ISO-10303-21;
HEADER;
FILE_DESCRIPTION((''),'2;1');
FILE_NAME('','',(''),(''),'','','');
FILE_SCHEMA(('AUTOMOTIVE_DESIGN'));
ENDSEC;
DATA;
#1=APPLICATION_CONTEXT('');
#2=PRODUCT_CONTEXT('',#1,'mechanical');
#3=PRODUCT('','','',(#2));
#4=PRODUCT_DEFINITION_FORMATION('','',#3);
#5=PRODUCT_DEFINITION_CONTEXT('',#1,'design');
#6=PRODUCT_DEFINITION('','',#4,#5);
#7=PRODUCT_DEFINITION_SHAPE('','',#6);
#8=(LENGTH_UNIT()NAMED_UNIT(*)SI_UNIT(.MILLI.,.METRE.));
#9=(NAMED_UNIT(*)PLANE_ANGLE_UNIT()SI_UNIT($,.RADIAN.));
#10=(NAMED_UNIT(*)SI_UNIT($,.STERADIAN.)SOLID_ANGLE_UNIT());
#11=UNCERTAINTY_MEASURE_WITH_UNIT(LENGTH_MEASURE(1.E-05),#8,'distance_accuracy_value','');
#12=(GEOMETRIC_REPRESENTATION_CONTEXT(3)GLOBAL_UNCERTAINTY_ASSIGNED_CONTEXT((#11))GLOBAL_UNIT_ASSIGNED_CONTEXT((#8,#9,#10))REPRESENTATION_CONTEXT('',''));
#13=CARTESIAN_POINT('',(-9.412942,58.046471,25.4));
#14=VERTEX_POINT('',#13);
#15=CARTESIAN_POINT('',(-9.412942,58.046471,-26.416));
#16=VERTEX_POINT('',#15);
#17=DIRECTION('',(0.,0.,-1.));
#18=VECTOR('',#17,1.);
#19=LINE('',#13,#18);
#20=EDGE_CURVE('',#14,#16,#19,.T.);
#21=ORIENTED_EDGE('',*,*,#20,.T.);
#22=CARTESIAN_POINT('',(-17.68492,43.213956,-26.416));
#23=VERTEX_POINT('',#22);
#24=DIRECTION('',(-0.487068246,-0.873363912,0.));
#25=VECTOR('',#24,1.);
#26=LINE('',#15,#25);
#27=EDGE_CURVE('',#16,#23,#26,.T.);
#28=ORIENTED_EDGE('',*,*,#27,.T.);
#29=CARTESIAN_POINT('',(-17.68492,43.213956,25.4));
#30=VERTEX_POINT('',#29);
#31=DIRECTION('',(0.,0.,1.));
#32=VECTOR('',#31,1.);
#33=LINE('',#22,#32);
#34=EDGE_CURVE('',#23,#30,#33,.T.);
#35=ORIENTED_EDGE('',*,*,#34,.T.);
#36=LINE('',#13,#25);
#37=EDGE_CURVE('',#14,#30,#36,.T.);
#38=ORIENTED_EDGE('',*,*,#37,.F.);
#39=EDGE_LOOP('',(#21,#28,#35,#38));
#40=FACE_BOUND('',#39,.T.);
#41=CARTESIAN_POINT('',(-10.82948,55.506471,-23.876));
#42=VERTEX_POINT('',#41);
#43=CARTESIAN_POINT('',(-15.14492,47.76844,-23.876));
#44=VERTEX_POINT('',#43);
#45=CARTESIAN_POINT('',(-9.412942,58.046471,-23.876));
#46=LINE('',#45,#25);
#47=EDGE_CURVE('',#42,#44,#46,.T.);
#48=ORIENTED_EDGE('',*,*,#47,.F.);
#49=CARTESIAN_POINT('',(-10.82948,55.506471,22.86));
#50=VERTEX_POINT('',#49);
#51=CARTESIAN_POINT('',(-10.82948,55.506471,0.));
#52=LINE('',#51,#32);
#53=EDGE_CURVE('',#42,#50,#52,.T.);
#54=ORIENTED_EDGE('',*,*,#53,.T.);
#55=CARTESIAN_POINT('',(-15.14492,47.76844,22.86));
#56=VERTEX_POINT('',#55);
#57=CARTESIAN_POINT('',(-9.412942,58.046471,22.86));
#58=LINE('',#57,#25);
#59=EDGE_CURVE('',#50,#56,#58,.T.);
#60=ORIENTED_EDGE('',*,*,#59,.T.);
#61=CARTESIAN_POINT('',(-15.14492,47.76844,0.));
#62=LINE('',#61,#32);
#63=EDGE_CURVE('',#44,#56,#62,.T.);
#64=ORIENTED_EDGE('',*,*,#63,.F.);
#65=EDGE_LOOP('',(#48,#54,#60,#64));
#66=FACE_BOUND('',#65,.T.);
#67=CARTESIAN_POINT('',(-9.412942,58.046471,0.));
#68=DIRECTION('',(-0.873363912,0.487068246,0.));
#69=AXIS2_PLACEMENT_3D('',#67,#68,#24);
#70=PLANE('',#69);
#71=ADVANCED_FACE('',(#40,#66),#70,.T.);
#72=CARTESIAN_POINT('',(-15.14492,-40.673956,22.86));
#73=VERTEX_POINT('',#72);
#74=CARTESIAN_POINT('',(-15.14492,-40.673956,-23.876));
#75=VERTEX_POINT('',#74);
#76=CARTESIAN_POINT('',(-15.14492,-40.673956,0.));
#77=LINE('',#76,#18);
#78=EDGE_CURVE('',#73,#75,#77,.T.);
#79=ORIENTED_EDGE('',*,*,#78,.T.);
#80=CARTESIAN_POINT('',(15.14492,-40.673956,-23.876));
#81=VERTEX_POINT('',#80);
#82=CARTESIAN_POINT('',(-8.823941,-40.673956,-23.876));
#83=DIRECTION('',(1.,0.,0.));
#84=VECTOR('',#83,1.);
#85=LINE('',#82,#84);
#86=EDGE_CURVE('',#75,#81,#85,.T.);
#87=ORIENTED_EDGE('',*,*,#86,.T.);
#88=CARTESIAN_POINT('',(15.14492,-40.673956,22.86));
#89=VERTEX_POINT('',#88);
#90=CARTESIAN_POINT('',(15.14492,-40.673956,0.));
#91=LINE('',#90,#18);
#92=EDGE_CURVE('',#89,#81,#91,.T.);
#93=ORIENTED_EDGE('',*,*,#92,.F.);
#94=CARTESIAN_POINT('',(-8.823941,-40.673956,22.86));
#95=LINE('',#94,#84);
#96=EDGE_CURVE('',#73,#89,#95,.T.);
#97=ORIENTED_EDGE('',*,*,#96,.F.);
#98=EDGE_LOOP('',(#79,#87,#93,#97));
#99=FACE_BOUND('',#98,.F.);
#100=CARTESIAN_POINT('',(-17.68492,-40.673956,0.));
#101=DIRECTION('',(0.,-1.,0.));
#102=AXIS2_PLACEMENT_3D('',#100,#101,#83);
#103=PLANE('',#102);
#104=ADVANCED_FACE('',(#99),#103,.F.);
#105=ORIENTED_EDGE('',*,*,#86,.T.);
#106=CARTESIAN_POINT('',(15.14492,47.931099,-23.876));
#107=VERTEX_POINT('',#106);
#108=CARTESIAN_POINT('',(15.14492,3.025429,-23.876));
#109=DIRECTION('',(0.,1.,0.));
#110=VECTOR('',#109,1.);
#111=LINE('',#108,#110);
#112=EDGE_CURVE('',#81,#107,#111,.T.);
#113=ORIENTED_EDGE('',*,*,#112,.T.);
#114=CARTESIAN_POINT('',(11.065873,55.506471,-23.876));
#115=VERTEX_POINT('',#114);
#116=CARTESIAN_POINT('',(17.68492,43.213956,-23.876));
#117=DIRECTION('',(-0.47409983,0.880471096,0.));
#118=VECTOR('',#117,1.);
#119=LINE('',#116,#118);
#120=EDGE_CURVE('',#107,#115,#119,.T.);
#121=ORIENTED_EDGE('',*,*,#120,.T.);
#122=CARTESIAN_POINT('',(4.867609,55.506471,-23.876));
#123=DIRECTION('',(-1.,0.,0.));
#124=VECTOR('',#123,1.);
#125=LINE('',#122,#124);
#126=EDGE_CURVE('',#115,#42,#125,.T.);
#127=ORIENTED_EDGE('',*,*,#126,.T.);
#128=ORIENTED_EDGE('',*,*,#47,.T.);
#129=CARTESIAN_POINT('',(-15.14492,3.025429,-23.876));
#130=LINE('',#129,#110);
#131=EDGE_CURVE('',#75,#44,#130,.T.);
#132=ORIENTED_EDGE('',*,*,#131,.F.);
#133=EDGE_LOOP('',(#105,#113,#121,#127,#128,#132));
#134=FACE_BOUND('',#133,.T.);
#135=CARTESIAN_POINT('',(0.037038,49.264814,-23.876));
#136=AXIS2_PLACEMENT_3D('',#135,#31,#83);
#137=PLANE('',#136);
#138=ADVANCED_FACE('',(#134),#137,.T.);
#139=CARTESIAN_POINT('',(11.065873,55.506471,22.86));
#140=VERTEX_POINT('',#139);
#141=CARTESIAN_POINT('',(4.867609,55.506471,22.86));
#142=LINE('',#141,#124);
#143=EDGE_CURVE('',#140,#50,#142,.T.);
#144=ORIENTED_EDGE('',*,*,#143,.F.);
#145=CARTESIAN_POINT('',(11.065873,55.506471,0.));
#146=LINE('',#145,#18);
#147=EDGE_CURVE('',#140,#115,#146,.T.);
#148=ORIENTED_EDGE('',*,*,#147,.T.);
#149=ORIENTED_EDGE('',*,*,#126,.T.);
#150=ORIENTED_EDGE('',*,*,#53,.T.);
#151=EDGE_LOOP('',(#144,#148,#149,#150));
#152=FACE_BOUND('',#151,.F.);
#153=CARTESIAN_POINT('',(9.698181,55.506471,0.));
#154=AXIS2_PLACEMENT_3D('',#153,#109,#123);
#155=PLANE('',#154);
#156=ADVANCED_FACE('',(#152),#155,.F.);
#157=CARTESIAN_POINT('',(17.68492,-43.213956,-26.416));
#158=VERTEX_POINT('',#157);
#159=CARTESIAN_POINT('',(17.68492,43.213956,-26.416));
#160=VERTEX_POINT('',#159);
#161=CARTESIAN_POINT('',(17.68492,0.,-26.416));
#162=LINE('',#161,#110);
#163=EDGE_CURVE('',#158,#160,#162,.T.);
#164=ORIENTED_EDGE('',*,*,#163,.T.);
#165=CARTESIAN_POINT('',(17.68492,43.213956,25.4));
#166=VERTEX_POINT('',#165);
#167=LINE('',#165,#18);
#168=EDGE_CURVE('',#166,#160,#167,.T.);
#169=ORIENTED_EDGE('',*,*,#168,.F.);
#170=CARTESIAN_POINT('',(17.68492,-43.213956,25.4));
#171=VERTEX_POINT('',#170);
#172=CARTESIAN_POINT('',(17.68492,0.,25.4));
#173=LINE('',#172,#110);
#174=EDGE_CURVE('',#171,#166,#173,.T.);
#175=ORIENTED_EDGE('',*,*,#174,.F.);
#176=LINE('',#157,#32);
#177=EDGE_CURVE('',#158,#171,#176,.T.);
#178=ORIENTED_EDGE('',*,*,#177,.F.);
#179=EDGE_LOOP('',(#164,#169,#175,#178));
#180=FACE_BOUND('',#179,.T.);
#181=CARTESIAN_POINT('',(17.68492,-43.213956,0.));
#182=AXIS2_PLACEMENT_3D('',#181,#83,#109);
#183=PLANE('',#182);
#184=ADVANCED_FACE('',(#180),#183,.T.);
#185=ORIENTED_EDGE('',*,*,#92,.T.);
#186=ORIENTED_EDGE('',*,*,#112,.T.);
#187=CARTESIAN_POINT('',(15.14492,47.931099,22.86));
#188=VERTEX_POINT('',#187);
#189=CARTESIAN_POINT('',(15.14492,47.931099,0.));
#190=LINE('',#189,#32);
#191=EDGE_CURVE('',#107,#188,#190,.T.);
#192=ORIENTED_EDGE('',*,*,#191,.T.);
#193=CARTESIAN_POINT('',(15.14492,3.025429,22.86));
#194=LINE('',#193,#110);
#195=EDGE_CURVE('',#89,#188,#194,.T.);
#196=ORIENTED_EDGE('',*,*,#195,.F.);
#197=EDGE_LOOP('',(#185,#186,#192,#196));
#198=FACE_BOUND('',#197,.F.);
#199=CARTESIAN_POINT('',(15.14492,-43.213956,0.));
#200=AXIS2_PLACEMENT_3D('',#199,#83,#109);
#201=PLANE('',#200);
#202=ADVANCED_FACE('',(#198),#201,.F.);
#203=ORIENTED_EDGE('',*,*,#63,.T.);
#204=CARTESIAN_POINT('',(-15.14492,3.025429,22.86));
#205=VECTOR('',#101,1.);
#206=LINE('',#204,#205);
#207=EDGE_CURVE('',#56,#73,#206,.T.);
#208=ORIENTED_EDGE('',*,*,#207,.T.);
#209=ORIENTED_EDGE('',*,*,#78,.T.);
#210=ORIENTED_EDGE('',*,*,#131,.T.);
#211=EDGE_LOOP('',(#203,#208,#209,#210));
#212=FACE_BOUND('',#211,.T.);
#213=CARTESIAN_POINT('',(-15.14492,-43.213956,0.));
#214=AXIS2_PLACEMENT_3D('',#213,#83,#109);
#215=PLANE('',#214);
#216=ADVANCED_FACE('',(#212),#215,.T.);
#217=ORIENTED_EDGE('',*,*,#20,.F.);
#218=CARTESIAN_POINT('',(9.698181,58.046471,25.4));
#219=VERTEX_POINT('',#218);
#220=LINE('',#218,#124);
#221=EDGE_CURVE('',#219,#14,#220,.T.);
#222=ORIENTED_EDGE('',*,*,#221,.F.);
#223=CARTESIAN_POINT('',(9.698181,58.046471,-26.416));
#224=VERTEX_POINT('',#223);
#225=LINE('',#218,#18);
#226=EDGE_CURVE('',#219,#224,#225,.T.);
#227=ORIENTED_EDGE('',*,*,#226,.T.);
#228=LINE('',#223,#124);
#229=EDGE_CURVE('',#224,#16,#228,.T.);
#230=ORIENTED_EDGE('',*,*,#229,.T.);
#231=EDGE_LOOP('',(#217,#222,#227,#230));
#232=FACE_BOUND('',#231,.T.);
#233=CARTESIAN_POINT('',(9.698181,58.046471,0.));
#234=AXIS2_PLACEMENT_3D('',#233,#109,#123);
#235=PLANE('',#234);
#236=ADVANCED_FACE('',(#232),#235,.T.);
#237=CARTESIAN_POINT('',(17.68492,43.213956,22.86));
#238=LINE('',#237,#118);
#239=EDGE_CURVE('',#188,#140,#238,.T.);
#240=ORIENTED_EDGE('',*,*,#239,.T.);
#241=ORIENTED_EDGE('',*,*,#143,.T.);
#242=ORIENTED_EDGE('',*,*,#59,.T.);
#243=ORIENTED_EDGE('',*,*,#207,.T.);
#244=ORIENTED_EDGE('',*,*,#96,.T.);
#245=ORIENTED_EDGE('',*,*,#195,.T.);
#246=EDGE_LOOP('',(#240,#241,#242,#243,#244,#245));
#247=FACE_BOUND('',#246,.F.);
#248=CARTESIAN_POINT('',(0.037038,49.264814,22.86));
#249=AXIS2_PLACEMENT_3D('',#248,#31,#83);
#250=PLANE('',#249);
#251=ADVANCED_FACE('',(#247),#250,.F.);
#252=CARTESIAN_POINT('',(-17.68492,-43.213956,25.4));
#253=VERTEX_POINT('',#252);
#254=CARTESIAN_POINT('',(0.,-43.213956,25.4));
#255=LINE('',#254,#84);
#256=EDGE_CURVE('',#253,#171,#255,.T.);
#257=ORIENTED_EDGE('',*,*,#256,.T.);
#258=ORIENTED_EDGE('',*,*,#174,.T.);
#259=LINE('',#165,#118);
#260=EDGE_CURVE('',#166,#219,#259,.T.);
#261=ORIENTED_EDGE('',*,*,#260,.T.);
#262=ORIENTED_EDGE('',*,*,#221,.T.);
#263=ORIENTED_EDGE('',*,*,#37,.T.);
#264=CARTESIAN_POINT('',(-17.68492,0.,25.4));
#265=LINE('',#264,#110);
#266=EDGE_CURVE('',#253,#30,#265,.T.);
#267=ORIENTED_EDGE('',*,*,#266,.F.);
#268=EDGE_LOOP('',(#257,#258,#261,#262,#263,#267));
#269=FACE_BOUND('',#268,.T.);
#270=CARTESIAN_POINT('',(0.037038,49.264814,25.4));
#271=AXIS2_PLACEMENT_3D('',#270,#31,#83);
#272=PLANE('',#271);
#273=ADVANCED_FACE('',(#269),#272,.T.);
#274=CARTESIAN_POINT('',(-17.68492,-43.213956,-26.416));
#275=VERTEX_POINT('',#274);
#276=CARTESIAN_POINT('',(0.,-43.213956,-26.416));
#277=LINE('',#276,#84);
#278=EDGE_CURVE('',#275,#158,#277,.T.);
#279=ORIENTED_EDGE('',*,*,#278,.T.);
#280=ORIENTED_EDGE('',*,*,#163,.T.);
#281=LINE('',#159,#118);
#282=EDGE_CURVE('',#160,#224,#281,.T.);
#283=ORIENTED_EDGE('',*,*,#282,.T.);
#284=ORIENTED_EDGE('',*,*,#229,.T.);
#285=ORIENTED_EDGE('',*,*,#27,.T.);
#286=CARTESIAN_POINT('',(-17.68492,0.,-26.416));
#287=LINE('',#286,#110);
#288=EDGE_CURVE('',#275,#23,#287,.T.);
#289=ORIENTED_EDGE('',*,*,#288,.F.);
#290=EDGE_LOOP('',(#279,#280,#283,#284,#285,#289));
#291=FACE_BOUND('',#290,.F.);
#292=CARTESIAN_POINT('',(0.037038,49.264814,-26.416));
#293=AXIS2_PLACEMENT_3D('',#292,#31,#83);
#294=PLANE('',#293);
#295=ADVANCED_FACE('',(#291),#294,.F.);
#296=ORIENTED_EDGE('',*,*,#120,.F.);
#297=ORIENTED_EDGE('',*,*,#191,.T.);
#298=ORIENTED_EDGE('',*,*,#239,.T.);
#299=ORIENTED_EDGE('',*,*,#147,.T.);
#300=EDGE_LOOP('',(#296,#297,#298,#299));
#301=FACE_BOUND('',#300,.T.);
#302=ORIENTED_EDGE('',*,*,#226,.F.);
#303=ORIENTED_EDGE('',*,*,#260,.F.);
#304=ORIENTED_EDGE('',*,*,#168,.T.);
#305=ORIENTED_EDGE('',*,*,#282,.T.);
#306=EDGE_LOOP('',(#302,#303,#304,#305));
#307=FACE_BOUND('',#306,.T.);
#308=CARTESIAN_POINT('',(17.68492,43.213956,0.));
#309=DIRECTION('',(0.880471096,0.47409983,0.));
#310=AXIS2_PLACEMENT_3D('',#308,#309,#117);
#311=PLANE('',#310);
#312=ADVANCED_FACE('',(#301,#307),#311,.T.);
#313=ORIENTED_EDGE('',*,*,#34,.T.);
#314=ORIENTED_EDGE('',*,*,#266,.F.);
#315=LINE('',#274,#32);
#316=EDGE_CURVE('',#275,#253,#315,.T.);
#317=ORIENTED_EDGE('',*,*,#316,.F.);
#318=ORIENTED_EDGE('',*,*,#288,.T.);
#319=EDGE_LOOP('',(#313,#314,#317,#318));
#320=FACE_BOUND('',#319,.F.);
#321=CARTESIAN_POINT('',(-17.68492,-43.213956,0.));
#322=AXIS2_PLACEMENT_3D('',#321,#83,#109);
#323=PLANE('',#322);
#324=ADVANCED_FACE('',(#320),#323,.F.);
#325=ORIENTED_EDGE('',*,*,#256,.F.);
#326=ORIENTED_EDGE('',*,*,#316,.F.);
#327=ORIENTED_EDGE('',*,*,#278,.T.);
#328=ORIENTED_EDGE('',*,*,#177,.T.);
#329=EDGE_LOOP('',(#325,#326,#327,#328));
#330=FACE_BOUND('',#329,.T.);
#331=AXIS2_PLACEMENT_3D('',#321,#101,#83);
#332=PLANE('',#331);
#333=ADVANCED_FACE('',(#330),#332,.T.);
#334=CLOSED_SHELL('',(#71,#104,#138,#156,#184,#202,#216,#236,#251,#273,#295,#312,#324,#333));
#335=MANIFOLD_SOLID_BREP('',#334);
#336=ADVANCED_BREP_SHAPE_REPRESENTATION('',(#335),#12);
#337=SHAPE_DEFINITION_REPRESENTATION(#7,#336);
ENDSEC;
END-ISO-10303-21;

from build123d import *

# Parameters (mm, degrees)
F0_W          = 35.36984
F0_H          = 86.427912
F1_DEPTH      = 25.4
F1_DEPTH_BACK = 26.416
F2_T          = -2.54


with BuildPart() as f1:
    # F0 (on Top) → F1 (new body, two sides)
    with BuildSketch(Plane.XY) as f1_sk:
        Polygon((-9.412942, 58.046471), (-17.68492, 43.213956), (17.68492, 43.213956), (9.698181, 58.046471), align=None)
        Rectangle(F0_W, F0_H)
    extrude(amount=F1_DEPTH)
    extrude(f1_sk.sketch, amount=-F1_DEPTH_BACK)

    # F2
    f2_openings = [f1.faces().sort_by_distance(p)[0] for p in [
        (-13.548931, 50.630214, -0.508),
        (13.691551, 50.630214, -0.508),
    ]]
    offset(amount=F2_T, openings=f2_openings)


solid = f1.part
